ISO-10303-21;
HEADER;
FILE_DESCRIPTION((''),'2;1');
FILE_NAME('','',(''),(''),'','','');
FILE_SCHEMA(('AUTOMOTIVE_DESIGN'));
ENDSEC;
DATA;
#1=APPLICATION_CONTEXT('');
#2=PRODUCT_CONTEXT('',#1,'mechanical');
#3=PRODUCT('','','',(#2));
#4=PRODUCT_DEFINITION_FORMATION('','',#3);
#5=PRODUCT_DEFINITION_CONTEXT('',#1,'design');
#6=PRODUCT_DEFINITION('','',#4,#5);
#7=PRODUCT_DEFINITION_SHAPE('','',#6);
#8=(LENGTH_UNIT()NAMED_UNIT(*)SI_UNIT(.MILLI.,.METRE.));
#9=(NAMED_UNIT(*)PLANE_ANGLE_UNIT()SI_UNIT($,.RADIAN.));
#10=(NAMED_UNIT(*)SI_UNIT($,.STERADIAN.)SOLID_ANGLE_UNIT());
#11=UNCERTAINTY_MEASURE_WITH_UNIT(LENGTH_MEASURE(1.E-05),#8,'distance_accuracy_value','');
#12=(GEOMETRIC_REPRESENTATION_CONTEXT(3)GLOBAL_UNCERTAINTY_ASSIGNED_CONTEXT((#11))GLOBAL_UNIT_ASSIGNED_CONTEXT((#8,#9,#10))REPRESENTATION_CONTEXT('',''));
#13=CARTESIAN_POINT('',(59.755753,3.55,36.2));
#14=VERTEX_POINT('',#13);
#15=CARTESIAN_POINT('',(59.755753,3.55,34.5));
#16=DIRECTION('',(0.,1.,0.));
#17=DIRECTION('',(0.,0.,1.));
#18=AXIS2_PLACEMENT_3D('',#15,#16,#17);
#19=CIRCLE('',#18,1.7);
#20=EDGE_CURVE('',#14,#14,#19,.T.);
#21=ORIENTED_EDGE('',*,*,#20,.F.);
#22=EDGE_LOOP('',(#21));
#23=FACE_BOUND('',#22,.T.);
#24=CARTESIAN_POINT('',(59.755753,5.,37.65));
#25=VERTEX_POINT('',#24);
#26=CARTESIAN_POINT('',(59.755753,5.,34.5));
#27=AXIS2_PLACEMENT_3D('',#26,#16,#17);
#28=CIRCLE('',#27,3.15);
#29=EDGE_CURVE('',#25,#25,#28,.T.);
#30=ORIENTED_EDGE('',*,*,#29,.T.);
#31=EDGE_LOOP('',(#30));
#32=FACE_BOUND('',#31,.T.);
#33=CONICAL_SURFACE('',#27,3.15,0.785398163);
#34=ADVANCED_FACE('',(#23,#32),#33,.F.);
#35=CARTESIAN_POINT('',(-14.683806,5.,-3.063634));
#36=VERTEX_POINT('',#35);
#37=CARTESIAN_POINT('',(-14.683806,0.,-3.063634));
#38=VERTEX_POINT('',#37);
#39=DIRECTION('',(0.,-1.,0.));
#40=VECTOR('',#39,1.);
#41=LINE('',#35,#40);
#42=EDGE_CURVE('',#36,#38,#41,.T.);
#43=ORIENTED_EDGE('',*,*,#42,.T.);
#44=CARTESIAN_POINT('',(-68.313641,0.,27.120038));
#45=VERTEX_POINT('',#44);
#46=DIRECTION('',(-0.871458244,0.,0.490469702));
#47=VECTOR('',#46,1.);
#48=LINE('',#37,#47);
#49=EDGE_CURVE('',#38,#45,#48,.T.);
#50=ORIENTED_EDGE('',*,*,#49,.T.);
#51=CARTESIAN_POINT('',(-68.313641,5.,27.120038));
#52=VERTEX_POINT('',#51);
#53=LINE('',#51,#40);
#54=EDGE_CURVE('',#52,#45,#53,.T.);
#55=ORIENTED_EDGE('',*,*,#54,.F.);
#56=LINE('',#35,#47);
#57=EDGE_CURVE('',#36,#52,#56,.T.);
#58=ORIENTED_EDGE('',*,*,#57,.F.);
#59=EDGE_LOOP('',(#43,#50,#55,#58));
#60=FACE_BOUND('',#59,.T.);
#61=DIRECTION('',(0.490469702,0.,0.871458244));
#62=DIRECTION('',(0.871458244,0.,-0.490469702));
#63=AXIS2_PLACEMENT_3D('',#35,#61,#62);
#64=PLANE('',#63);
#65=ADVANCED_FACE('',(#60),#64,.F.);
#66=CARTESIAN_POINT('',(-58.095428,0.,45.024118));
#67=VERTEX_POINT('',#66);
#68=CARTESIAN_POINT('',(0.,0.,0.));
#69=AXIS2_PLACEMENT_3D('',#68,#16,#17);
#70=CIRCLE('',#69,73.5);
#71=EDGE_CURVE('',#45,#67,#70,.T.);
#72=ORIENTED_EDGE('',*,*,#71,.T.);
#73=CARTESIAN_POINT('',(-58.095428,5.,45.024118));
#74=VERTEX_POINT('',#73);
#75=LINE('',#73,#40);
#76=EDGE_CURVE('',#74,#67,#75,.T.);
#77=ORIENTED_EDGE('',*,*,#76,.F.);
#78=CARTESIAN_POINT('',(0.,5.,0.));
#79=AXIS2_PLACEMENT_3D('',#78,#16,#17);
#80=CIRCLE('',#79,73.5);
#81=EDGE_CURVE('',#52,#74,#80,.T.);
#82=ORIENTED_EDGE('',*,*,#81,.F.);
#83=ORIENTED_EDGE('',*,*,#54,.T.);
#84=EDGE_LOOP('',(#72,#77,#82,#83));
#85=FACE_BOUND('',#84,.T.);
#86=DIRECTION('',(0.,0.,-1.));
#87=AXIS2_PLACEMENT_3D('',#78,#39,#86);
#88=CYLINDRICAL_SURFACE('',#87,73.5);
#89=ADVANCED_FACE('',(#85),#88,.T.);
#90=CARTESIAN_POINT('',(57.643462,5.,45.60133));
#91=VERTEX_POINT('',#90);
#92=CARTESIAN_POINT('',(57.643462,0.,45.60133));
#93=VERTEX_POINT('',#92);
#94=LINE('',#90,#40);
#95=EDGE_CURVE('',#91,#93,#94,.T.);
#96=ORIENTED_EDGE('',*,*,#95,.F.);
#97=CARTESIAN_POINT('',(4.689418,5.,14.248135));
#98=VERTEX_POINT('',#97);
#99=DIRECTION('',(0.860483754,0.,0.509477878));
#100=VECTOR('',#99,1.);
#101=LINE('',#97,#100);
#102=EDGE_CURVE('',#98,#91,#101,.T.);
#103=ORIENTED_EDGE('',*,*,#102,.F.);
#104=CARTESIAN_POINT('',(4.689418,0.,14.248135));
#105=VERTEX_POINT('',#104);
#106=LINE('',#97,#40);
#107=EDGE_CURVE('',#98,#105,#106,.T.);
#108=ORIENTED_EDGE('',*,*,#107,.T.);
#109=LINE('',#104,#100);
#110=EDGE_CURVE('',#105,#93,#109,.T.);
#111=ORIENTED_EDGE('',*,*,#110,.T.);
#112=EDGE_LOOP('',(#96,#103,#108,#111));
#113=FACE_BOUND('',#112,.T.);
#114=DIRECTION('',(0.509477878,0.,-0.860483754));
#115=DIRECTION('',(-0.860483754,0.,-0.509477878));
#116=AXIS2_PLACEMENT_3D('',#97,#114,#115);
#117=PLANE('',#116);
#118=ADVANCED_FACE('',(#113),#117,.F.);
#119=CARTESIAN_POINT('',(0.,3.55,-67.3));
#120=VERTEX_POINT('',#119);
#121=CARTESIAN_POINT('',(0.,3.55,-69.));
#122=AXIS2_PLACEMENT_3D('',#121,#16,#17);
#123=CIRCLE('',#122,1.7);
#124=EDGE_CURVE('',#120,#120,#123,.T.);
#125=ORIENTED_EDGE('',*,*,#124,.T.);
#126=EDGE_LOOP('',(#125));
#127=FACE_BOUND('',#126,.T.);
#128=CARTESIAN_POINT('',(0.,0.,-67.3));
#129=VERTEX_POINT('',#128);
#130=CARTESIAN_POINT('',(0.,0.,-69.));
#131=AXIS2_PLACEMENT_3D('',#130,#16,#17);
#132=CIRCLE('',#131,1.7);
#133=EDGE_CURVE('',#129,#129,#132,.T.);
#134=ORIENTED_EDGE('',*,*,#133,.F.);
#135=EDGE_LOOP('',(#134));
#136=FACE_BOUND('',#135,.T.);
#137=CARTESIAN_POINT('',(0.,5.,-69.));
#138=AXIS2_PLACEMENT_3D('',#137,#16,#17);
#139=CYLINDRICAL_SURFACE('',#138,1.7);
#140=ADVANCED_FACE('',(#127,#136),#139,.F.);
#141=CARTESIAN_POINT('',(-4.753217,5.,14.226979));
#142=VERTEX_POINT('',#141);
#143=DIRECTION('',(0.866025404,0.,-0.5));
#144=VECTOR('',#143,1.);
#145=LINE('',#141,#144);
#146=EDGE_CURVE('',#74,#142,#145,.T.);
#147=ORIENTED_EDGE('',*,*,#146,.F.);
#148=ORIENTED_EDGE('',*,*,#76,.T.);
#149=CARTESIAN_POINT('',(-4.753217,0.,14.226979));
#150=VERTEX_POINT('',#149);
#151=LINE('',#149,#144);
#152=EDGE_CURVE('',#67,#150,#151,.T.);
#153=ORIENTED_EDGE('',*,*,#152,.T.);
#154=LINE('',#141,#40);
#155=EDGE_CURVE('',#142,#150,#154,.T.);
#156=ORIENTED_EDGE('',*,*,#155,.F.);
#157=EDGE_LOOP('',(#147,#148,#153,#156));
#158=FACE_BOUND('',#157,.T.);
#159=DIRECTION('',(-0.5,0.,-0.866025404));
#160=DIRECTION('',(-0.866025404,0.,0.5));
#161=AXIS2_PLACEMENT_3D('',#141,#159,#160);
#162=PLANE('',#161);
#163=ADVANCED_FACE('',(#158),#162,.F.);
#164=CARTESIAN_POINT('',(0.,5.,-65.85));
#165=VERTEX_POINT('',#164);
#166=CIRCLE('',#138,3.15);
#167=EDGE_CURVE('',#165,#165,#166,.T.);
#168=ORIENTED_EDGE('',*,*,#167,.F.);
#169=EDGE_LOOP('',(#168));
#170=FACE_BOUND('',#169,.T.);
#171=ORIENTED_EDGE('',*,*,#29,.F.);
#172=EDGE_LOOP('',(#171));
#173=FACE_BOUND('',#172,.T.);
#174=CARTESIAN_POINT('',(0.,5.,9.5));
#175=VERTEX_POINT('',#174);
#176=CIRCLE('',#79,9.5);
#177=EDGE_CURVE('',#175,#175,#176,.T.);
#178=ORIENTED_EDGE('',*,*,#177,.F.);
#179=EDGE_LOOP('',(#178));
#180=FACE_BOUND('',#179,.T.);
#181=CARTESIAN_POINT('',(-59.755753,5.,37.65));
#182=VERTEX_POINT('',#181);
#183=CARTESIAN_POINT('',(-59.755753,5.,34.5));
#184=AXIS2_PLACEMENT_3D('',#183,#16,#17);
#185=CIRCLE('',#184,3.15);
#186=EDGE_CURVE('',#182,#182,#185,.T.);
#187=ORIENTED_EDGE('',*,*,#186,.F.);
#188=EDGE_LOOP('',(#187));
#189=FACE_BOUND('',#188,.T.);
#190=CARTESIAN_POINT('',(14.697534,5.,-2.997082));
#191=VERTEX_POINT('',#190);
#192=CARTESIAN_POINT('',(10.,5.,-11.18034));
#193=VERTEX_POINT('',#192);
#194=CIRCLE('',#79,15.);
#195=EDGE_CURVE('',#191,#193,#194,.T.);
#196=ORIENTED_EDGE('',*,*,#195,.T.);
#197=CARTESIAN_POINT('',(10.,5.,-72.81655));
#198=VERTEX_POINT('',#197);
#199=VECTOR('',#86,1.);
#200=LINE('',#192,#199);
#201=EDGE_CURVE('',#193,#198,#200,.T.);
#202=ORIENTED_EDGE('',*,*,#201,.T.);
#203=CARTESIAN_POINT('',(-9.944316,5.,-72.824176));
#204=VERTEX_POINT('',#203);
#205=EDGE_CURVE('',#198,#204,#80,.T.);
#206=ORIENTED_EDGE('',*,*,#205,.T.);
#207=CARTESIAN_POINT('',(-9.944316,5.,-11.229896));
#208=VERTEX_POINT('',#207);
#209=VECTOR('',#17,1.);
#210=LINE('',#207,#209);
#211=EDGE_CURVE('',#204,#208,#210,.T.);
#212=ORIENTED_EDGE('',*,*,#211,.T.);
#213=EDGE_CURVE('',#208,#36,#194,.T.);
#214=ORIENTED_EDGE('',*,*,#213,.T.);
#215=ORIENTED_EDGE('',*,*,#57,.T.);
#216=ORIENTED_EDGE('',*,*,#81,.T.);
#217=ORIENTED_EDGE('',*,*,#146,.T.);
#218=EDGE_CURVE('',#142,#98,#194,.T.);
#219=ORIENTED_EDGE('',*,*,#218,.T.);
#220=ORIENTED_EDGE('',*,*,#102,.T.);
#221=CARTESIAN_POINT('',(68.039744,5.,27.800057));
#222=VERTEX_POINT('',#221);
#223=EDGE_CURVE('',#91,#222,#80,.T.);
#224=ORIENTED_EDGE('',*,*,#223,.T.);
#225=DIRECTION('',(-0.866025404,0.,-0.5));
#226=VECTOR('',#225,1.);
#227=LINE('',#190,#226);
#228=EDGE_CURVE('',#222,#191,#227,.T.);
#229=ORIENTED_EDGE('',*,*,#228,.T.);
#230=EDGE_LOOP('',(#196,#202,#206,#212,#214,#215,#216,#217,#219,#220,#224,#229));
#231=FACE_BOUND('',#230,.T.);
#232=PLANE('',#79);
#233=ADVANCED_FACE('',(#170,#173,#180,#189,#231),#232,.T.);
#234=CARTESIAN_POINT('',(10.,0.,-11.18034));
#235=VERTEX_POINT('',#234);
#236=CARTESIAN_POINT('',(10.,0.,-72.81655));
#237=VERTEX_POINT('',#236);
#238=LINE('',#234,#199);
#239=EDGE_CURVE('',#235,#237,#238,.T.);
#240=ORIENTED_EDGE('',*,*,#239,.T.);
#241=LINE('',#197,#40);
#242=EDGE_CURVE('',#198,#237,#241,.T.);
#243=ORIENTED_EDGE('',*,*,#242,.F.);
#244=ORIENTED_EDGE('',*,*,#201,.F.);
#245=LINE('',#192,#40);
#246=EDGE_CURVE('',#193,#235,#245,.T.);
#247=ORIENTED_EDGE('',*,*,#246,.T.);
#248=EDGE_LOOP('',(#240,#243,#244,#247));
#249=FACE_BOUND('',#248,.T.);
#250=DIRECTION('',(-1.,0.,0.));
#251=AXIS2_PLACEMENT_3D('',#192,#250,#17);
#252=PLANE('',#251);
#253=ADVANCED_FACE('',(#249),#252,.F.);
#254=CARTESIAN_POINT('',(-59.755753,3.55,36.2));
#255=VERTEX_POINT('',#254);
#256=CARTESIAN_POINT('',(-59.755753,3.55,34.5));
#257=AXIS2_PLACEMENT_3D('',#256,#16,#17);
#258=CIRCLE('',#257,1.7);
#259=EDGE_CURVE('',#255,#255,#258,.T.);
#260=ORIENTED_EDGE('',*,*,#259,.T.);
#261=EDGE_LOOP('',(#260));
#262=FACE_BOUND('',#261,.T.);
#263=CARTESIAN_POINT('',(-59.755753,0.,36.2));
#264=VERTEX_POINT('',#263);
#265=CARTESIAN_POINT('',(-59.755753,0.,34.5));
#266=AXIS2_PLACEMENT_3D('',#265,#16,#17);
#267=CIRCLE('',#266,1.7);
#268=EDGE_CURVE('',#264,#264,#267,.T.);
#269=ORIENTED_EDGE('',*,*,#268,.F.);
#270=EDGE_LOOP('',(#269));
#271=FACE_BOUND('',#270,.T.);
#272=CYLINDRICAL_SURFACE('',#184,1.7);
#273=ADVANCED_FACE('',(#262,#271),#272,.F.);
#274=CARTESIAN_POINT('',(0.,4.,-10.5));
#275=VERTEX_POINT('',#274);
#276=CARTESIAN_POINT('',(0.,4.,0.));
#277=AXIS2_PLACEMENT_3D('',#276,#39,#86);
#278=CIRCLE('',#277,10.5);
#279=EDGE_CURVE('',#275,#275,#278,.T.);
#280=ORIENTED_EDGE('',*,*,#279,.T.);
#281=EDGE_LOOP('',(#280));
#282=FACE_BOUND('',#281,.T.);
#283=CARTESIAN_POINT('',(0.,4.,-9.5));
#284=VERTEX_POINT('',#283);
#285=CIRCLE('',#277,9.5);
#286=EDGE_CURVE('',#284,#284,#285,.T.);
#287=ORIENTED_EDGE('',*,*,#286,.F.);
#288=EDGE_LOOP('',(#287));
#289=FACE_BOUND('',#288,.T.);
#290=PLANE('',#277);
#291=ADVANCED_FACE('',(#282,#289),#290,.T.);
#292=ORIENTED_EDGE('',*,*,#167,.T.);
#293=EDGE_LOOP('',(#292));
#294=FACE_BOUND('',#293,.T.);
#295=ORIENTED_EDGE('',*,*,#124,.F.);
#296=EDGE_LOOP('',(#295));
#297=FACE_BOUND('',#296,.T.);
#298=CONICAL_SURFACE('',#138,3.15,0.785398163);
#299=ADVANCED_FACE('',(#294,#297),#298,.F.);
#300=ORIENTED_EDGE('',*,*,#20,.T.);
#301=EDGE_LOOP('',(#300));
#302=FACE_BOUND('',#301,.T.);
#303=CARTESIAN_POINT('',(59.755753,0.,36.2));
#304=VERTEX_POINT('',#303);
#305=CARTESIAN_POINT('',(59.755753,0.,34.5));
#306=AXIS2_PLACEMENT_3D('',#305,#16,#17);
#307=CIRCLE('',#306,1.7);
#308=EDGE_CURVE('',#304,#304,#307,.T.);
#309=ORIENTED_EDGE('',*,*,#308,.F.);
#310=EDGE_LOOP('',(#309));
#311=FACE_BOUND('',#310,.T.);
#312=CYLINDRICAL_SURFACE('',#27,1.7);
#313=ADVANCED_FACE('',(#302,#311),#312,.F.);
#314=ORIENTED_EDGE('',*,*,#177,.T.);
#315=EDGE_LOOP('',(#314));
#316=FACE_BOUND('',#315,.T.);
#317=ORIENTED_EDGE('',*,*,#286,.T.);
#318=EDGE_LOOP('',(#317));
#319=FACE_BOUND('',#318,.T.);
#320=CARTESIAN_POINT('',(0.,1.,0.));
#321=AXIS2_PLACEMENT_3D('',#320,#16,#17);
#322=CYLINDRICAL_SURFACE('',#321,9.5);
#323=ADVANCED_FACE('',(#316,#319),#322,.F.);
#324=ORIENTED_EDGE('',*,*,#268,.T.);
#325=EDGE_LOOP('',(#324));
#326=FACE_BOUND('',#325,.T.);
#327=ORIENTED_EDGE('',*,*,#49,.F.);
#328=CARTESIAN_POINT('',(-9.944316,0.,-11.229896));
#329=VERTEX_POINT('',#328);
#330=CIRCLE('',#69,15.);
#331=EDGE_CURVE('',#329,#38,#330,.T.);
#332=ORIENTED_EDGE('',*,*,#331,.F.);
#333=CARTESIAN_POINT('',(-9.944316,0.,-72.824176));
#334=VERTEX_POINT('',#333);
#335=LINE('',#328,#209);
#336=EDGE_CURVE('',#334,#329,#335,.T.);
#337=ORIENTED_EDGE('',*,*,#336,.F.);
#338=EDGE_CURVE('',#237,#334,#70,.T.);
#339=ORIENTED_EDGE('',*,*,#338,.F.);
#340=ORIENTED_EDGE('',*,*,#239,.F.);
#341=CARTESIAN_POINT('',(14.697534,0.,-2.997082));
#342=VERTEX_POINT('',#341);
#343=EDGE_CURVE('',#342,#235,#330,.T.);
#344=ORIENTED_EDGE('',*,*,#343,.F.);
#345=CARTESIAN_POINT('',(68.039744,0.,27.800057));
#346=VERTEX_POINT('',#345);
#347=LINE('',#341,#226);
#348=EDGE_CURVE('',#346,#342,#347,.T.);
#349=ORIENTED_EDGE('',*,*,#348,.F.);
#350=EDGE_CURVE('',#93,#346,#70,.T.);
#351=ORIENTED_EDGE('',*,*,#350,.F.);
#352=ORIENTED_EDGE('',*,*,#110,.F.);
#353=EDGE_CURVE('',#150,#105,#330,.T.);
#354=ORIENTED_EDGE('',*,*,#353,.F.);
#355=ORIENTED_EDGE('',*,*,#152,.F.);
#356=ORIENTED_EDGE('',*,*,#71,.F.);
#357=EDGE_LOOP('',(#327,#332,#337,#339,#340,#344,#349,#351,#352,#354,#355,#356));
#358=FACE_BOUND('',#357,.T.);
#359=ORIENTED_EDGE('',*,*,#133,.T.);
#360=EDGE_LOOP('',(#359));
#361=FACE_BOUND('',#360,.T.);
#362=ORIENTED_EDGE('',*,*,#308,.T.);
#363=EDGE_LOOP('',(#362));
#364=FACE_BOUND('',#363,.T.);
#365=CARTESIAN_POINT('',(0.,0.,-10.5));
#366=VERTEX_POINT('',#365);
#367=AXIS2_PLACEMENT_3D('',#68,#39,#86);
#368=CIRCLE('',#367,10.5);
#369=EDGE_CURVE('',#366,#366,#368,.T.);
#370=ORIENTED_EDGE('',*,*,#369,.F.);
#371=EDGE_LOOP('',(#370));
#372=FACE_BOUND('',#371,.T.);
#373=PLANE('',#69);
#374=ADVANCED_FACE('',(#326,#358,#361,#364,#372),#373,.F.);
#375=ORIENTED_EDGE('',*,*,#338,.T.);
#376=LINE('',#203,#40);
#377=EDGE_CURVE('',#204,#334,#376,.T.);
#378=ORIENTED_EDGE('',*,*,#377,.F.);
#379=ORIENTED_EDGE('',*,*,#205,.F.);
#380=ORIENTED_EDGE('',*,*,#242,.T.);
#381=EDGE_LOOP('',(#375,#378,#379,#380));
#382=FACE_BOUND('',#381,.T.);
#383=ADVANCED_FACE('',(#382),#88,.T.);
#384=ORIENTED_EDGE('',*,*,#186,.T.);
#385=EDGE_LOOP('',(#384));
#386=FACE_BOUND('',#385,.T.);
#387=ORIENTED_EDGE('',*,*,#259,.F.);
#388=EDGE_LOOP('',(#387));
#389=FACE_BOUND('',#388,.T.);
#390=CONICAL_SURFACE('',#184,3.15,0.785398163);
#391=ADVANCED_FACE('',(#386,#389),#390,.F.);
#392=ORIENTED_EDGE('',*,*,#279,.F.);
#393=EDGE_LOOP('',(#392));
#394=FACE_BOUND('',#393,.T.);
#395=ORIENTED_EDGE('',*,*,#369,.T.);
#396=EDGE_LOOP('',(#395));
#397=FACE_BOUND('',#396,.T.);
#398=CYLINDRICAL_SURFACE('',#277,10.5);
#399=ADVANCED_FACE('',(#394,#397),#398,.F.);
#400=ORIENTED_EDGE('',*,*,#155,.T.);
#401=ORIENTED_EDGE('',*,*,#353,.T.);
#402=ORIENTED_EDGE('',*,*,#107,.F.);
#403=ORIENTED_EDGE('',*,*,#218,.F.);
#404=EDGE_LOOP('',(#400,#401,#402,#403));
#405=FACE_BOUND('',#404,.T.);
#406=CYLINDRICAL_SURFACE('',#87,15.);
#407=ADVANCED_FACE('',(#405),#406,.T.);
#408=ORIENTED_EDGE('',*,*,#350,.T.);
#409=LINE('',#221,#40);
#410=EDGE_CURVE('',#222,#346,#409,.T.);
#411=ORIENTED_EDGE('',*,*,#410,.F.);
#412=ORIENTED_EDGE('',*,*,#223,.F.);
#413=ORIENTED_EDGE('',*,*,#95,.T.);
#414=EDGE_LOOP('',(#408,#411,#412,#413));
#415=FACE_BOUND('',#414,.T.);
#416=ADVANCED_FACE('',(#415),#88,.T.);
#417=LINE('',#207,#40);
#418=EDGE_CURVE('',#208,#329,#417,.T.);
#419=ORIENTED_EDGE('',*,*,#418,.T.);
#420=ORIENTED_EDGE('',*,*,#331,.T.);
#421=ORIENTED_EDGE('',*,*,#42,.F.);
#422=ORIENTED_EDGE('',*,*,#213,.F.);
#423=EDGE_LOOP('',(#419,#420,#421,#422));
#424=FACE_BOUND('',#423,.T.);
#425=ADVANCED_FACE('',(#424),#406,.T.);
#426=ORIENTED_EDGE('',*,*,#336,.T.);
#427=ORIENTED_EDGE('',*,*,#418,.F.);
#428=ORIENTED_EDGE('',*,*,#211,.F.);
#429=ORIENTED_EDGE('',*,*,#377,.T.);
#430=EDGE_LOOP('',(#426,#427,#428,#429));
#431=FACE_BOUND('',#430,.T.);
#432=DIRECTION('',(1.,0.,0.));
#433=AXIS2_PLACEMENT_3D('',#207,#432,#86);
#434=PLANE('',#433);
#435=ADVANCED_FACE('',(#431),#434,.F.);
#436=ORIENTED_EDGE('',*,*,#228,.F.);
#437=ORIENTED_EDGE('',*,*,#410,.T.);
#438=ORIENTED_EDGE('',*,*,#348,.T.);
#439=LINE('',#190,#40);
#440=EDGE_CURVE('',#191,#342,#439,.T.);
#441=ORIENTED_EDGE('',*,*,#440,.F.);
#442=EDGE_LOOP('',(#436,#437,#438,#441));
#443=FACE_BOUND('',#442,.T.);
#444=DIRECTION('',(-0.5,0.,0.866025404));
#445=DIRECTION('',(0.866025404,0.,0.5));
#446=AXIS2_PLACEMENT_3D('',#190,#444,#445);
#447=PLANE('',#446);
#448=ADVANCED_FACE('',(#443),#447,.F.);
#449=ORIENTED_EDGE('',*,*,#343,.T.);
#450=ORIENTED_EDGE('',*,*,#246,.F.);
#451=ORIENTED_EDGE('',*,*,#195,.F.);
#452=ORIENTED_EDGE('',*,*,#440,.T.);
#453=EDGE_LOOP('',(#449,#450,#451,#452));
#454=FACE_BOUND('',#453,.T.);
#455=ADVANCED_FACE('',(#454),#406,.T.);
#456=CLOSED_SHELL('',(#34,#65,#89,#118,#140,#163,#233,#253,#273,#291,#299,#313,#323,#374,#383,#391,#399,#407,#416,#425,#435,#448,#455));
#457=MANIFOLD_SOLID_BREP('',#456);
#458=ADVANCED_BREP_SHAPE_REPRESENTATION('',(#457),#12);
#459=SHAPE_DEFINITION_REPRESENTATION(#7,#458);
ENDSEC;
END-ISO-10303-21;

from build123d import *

# Parameters (mm, degrees)
SALIENTE_EXTRUIR1_DEPTH                         = 5
CROQUIS6_R                                      = 1.6
CORTAR_EXTRUIR4_DEPTH                           = 10
CROQUIS8_R                                      = 10.5
CORTAR_EXTRUIR5_DEPTH                           = 4
CROQUIS9_R                                      = 9.5
CORTAR_EXTRUIR6_DEPTH                           = 4
CSK_FOR_M3_FLAT_HEAD_MACHINE_SCREW1_D           = 3.4
CSK_FOR_M3_FLAT_HEAD_MACHINE_SCREW1_CSINK_D     = 6.3
CSK_FOR_M3_FLAT_HEAD_MACHINE_SCREW1_CSINK_ANGLE = 90


with BuildPart() as part:
    # Croquis1 → Saliente-Extruir1 (new body)
    with BuildSketch(Plane(origin=(0, 0, 0), x_dir=(1, 0, 0), z_dir=(0, 1, 0))):
        with BuildLine():
            Line((-9.944316368, 11.229896347), (-9.944316368, 72.824175738))
            ThreePointArc((-9.944316368, 72.824175738), (0.028101663, 73.499994628), (10, 72.816550317))
            Line((10, 72.816550317), (10, 11.180339887))
            ThreePointArc((10, 11.180339887), (13.008976456, 7.467699215), (14.697533703, 2.997082424))
            Line((14.697533703, 2.997082424), (68.039744383, -27.800057271))
            ThreePointArc((68.039744383, -27.800057271), (63.468798846, -37.066987644), (57.643462165, -45.601329691))
            Line((57.643462165, -45.601329691), (4.689417529, -14.24813543))
            ThreePointArc((4.689417529, -14.24813543), (-0.033608107, -14.99996235), (-4.753217335, -14.226978772))
            Line((-4.753217335, -14.226978772), (-58.095428015, -45.024118467))
            ThreePointArc((-58.095428015, -45.024118467), (-63.835352365, -36.432098327), (-68.313641042, -27.120037751))
            Line((-68.313641042, -27.120037751), (-14.68380565, 3.06363373))
            ThreePointArc((-14.68380565, 3.06363373), (-12.973359619, 7.529405035), (-9.944316368, 11.229896347))
        make_face()
    extrude(amount=SALIENTE_EXTRUIR1_DEPTH)

    # Croquis6 → Cortar-Extruir4 (cut, symmetric)
    with BuildSketch(Plane(origin=(0, 5, 0), x_dir=(1, 0, 0), z_dir=(0, 1, 0))):
        with Locations(Location((0, 69, 0), (0, 0, 270))):
            Circle(CROQUIS6_R)
        with Locations(Location((59.755752861, -34.5, 0), (0, 0, 270))):
            Circle(CROQUIS6_R)
        with Locations(Location((-59.755752861, -34.5, 0), (0, 0, 270))):
            Circle(CROQUIS6_R)
    extrude(amount=CORTAR_EXTRUIR4_DEPTH, both=True, mode=Mode.SUBTRACT)

    # Croquis8 → Cortar-Extruir5 (cut)
    with BuildSketch(Plane.XZ):
        with Locations(Location((0, 0, 0), (0, 0, 270))):
            Circle(CROQUIS8_R)
    extrude(amount=-CORTAR_EXTRUIR5_DEPTH, mode=Mode.SUBTRACT)

    # Croquis9 → Cortar-Extruir6 (cut)
    with BuildSketch(Plane(origin=(0, 5, 0), x_dir=(1, 0, 0), z_dir=(0, 1, 0))):
        with Locations(Location((0, 0, 0), (0, 0, 270))):
            Circle(CROQUIS9_R)
    extrude(amount=-CORTAR_EXTRUIR6_DEPTH, mode=Mode.SUBTRACT)

    # CSK for M3 Flat Head Machine Screw1 (through all)
    with Locations(Plane(origin=(0, 5, 0), x_dir=(1, 0, 0), z_dir=(0, 1, 0))):
        with Locations((-59.755752861, -34.5), (0, 69), (59.755752861, -34.5)):
            CounterSinkHole(CSK_FOR_M3_FLAT_HEAD_MACHINE_SCREW1_D / 2, CSK_FOR_M3_FLAT_HEAD_MACHINE_SCREW1_CSINK_D / 2, counter_sink_angle=CSK_FOR_M3_FLAT_HEAD_MACHINE_SCREW1_CSINK_ANGLE)


solid = part.part
